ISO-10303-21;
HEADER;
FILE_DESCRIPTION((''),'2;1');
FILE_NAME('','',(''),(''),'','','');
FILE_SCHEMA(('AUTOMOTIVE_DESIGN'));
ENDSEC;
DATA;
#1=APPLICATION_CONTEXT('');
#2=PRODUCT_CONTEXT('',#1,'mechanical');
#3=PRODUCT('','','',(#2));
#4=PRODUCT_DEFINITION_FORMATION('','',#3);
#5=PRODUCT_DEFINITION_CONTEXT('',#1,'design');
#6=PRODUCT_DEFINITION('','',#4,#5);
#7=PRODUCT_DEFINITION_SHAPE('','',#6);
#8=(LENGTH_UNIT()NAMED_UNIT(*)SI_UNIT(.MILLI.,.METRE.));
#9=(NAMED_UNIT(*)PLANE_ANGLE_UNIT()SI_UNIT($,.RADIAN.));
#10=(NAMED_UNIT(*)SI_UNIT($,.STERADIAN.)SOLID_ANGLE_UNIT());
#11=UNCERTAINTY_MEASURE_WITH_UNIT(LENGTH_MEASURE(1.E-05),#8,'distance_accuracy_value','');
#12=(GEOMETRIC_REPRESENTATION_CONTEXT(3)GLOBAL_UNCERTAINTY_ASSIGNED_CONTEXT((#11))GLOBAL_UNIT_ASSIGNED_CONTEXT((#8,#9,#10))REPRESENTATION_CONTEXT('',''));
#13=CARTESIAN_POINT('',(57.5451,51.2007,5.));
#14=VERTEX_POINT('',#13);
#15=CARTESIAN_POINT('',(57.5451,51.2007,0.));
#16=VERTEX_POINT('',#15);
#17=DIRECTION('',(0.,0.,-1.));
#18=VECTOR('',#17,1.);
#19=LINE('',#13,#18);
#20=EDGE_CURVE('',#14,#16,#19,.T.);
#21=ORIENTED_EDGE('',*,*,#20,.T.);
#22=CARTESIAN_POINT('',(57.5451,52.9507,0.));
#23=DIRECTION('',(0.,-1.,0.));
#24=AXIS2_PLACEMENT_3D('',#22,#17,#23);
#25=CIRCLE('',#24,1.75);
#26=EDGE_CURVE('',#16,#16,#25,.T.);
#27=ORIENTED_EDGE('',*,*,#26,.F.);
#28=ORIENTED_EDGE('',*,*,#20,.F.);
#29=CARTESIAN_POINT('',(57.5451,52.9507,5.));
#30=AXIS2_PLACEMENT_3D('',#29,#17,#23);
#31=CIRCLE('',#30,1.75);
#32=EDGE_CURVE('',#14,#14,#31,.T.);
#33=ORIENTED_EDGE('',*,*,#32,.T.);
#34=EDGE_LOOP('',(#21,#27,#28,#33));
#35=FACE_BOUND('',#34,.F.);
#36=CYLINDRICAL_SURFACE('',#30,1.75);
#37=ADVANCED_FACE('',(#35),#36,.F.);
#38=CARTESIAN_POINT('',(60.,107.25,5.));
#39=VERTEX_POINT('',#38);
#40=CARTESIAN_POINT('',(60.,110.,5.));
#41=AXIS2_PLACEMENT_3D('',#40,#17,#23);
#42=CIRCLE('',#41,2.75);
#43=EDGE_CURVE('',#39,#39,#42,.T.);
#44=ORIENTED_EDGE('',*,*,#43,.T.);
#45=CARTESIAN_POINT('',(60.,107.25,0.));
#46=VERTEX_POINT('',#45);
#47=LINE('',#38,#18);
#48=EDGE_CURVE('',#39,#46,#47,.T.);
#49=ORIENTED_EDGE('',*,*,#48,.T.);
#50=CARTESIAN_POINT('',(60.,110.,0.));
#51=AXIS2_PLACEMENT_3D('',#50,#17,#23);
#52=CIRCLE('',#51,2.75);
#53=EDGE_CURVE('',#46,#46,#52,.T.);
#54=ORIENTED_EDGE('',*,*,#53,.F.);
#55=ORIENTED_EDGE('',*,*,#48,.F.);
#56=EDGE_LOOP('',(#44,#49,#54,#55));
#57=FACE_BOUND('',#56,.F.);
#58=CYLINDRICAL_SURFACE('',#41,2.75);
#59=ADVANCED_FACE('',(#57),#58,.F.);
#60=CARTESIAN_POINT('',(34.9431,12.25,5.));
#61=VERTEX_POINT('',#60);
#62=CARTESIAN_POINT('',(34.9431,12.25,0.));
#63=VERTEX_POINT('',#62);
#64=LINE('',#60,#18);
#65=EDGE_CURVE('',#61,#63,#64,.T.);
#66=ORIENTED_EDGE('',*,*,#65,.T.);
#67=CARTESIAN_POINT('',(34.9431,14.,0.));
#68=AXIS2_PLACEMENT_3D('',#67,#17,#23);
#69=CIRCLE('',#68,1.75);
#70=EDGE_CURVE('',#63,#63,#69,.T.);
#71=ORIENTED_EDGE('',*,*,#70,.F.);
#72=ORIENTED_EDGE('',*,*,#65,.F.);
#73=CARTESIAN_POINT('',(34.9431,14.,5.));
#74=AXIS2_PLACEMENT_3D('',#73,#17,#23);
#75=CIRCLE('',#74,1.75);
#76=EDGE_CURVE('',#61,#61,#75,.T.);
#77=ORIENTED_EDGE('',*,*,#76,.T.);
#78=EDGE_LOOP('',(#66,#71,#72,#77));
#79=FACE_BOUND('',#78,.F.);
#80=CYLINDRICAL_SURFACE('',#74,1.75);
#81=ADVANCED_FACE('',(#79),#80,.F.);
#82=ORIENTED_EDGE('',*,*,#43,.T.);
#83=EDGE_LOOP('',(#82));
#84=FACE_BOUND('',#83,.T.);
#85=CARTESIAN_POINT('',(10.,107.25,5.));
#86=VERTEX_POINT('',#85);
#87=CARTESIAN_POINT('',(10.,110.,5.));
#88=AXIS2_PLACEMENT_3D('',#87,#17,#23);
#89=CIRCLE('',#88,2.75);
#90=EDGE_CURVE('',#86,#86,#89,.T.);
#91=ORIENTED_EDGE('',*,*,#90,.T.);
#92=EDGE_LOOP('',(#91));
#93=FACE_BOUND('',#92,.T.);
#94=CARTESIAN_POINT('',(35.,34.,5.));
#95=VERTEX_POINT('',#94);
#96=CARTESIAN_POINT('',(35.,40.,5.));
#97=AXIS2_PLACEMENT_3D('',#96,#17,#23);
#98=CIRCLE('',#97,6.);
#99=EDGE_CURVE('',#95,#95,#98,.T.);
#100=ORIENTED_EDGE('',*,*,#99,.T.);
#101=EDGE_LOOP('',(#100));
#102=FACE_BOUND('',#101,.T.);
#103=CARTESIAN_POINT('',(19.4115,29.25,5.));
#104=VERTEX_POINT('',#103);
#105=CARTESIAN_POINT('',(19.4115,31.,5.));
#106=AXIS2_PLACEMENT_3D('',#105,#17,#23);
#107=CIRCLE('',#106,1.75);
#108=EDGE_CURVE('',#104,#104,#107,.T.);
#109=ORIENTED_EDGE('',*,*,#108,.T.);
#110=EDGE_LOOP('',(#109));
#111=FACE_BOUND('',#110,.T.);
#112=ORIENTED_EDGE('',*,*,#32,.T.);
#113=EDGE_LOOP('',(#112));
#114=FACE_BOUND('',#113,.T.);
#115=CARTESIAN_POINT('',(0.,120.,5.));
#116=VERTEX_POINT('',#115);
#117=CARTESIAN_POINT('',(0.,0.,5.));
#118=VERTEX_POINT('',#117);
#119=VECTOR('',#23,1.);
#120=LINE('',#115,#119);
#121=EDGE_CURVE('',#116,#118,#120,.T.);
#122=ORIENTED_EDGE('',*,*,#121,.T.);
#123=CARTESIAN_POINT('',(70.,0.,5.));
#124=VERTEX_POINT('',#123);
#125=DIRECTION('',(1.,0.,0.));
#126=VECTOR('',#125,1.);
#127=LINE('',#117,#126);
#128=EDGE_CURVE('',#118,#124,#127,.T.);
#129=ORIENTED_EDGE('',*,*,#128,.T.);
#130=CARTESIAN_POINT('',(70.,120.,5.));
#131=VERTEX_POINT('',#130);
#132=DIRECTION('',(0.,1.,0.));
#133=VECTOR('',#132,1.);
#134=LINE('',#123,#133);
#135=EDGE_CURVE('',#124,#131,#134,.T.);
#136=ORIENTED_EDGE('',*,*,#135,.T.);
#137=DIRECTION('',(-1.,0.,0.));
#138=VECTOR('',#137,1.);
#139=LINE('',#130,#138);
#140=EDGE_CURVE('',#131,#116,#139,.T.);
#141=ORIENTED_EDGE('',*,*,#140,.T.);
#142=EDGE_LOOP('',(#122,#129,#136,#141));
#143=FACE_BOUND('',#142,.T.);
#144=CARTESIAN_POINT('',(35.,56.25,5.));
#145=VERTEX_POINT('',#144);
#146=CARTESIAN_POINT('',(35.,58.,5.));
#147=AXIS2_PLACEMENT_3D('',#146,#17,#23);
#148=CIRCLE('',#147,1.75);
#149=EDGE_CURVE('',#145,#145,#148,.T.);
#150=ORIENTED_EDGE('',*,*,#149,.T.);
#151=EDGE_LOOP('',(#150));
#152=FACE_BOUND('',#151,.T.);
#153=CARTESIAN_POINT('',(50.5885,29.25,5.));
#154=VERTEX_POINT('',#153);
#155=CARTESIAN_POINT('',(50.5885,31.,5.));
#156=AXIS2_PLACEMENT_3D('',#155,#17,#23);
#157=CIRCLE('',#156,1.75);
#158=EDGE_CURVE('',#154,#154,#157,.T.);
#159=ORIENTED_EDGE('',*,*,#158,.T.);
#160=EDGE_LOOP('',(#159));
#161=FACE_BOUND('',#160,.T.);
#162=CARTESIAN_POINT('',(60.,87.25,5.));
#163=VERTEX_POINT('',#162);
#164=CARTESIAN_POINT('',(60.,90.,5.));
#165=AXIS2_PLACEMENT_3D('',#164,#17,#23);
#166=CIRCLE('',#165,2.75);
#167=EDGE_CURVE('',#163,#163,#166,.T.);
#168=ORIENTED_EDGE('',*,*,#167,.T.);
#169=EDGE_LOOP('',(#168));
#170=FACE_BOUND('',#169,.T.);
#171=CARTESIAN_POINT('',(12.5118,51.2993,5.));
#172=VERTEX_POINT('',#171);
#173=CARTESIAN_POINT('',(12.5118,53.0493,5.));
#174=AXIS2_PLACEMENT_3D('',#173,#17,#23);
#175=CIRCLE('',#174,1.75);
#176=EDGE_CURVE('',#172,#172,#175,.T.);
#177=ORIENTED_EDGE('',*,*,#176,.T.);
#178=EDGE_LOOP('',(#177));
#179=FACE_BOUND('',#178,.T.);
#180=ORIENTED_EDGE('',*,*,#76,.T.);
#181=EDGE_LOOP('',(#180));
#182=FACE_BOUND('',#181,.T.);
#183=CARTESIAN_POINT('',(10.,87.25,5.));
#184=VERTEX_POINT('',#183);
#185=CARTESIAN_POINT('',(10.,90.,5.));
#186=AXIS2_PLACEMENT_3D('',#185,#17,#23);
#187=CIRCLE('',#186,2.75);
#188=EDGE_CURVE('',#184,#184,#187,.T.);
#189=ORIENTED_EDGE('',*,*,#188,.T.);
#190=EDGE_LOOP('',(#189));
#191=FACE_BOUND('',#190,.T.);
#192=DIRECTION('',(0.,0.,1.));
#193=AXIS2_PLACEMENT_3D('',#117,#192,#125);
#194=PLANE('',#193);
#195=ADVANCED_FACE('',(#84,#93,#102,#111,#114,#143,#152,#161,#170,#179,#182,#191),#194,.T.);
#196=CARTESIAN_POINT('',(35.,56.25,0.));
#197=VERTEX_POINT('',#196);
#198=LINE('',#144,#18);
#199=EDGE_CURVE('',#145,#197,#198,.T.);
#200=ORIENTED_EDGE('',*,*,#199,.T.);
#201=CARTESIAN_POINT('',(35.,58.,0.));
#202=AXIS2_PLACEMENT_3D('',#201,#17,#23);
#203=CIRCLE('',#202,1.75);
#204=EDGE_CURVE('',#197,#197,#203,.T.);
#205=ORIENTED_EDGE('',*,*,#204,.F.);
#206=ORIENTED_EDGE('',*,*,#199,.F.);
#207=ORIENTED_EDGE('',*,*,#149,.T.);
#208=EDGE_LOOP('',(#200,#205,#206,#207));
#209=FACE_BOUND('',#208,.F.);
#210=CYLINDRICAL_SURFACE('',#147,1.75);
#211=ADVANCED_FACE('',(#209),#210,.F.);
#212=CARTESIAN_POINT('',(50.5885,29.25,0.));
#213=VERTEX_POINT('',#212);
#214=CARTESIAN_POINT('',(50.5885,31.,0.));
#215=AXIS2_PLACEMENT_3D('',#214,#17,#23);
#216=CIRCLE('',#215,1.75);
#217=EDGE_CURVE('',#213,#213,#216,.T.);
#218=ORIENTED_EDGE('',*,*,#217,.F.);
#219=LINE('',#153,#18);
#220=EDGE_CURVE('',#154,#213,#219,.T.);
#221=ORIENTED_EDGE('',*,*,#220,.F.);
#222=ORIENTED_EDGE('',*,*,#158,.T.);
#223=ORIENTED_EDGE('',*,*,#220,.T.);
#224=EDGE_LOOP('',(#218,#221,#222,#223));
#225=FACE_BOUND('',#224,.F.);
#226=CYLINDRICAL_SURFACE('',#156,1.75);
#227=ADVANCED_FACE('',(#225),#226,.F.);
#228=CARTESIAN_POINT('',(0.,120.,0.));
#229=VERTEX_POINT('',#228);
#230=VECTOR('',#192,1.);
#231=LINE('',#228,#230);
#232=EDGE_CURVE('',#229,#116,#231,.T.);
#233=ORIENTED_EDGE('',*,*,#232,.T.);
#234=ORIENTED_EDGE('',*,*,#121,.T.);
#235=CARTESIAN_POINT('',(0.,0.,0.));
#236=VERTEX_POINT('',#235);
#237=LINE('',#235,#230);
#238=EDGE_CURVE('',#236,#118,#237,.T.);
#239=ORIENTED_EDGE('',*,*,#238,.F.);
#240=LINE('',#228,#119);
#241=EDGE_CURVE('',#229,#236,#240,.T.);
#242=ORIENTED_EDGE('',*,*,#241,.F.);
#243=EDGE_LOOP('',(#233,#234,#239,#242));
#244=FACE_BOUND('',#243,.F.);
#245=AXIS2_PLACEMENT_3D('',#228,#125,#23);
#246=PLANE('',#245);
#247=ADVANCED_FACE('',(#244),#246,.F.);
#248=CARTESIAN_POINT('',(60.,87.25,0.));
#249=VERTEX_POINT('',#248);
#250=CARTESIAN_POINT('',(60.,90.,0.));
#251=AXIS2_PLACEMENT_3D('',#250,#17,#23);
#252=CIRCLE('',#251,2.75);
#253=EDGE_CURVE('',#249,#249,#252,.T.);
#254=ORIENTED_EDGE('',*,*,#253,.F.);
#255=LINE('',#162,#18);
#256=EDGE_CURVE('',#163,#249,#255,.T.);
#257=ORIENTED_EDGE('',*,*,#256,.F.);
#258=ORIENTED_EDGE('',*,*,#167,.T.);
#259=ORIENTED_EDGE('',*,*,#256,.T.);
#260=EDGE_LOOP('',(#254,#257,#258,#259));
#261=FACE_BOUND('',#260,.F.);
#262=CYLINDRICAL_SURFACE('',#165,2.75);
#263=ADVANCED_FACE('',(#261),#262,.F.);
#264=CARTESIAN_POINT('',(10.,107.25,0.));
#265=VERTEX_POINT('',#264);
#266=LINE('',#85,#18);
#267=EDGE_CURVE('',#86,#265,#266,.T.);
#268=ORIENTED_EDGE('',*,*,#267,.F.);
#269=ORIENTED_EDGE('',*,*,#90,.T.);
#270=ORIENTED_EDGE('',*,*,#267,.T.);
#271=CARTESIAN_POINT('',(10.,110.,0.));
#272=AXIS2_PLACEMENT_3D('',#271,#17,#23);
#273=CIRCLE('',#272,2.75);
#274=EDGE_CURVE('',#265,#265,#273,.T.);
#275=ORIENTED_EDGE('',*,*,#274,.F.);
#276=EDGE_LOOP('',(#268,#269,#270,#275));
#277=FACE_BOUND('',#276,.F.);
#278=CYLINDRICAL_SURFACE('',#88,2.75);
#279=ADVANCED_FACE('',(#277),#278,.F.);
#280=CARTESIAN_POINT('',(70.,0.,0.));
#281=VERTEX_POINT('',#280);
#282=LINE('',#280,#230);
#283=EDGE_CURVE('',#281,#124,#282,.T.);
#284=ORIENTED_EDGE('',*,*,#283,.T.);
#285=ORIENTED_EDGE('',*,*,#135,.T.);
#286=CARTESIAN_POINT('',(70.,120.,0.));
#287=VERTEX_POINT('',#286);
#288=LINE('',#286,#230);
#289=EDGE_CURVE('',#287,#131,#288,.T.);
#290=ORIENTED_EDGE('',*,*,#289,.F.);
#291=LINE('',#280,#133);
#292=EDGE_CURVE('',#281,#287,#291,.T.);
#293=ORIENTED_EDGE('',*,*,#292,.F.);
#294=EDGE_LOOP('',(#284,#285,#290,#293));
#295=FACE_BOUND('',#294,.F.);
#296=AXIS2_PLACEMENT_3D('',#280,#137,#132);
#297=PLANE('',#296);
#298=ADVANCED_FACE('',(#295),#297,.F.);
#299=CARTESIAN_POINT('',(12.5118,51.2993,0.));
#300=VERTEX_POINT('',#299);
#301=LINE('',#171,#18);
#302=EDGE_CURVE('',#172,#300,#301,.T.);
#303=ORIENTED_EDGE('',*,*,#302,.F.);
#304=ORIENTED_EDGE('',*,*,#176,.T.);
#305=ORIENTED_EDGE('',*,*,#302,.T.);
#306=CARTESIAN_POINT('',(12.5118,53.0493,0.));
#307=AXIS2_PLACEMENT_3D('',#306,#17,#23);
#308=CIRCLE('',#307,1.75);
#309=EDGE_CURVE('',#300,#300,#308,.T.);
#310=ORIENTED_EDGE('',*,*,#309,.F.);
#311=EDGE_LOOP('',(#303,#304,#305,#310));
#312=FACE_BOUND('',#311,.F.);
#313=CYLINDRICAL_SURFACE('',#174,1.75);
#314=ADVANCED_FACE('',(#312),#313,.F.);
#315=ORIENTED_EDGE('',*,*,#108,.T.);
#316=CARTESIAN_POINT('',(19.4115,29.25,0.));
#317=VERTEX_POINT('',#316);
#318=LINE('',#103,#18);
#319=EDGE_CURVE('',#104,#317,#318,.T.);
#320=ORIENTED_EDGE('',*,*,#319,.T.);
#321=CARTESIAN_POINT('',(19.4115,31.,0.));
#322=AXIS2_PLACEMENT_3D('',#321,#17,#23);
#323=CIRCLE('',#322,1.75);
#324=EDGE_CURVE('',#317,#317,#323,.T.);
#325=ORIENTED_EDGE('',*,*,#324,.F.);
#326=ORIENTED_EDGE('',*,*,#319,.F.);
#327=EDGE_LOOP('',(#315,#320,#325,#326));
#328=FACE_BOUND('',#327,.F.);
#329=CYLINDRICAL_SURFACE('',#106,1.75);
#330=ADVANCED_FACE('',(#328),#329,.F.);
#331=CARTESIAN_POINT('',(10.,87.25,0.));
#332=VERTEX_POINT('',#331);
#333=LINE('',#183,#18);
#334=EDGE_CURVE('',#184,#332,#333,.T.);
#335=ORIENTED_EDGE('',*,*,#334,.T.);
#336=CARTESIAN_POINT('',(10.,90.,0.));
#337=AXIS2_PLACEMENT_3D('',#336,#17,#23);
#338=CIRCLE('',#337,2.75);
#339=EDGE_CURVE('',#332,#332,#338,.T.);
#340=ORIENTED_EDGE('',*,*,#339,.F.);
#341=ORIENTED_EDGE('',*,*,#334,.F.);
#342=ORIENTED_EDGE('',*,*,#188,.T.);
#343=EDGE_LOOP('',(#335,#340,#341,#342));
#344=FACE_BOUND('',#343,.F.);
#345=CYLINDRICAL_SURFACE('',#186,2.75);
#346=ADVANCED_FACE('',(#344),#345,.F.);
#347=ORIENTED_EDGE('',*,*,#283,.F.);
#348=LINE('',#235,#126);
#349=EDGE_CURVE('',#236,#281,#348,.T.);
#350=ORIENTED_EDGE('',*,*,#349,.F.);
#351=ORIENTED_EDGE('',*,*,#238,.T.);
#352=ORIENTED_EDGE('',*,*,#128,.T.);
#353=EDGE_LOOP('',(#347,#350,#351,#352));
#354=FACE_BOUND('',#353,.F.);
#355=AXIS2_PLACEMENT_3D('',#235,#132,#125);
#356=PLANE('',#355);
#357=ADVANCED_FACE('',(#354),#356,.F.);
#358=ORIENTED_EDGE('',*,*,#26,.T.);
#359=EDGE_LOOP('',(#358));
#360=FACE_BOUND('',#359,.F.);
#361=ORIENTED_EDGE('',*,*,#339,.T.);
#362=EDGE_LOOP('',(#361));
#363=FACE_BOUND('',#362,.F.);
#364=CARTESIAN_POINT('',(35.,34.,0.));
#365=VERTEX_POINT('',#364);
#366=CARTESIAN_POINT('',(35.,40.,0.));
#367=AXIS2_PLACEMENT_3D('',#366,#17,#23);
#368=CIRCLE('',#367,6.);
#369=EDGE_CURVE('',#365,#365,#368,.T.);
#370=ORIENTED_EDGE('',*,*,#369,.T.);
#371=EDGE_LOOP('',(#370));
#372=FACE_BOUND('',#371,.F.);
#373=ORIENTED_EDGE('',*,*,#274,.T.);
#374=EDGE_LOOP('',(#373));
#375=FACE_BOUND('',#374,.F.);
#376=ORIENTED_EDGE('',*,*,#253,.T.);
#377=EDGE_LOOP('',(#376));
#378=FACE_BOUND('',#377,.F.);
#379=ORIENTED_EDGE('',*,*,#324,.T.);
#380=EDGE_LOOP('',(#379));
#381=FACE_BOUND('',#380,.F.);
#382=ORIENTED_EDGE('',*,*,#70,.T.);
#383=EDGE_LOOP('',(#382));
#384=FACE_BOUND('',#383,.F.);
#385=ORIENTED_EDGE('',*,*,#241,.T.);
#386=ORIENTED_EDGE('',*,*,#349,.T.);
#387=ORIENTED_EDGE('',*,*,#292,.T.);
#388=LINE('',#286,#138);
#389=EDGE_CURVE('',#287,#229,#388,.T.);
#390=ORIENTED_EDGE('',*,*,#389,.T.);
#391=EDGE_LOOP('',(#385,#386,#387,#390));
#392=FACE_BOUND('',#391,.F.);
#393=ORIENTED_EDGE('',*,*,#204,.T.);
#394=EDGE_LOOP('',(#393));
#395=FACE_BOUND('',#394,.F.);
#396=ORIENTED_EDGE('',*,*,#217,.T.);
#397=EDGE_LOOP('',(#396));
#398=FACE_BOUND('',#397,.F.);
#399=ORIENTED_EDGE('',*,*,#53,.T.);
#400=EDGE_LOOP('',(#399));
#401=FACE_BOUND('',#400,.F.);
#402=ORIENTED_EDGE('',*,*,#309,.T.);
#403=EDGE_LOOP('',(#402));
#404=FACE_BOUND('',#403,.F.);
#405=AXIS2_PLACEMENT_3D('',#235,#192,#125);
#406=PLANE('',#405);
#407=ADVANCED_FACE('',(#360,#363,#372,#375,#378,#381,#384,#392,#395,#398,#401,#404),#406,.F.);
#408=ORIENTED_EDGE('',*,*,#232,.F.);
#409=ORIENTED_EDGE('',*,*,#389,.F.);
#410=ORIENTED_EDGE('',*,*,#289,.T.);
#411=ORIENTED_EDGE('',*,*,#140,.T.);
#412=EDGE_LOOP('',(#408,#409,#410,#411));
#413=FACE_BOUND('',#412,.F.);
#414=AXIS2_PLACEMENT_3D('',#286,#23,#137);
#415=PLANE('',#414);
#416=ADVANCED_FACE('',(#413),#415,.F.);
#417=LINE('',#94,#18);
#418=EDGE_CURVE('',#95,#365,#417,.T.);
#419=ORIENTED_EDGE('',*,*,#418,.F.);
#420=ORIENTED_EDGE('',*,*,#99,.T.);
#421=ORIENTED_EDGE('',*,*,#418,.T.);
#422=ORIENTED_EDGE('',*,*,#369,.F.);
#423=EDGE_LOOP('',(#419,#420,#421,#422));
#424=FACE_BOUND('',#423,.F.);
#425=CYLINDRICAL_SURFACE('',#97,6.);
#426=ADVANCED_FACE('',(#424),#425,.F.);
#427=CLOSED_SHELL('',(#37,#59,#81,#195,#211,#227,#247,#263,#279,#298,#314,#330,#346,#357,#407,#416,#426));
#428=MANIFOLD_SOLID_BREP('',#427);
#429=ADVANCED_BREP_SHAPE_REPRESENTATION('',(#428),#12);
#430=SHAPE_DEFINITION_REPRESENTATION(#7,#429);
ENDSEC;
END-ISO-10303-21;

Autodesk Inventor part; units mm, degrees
ref_plane "YZ Plane" through (0, 0, 0) normal (1, 0, 0) x (0, 1, 0)
ref_plane "XZ Plane" through (0, 0, 0) normal (0, 1, 0) x (-1, 0, 0)
ref_plane "XY Plane" through (0, 0, 0) normal (0, 0, 1) x (1, 0, 0)
sketch "スケッチ1" plane through (0, 0, 0) normal (0, 0, 1) x (1, 0, 0)
  line L0 (0, 0) -> (70, 0)
  line L1 (70, 0) -> (70, 120)
  line L2 (70, 120) -> (0, 120)
  line L3 (0, 120) -> (0, 0)
  dimension "d0" = 70
  dimension "d1" = 120
extrude "押し出し1" add sketch "スケッチ1" along normal blind 5
sketch "スケッチ2" plane through (0, 0, 5) normal (0, 0, 1) x (1, 0, 0)
  line L0 (0, 120) -> (0, 0) projected
  line L1 (0, 0) -> (70, 0) projected
  point P0 (35, 40)
  dimension "d4" = 35
  dimension "d5" = 40
hole "穴1" at (35, 40, 5) direction (0, 0, -1) diameter 12 end through all
sketch "スケッチ3" plane through (0, 0, 5) normal (0, 0, 1) x (1, 0, 0)
  circle A0 centre (35, 40) radius 6 projected
  point P0 (0, 0)
  point P1 (34.9431, 14)
  point P2 (57.5451, 52.9507)
  point P3 (12.5118, 53.0493)
  dimension "d13" = 26
  dimension "d16" = 360
hole "穴2" at (34.9431, 14, 5) at (35, 40, 5) at (57.5451, 52.9507, 5) at (12.5118, 53.0493, 5) direction (0, 0, -1) diameter 3.5 end through all
sketch "スケッチ4" plane through (0, 0, 5) normal (0, 0, 1) x (1, 0, 0)
  line L0 (0, 120) -> (0, 0) projected
  line L1 (0, 0) -> (70, 0) projected
  point P0 (35, 40)
  point P1 (35, 58)
  point P2 (19.4115, 31)
  point P3 (50.5885, 31)
  dimension "d27" = 35
  dimension "d28" = 40
  dimension "d29" = 18
  dimension "d32" = 360
hole "穴3" at (35, 40, 5) at (35, 58, 5) at (19.4115, 31, 5) at (50.5885, 31, 5) direction (0, 0, -1) diameter 3.5 end through all
sketch "スケッチ6" plane through (0, 0, 5) normal (0, 0, 1) x (1, 0, 0)
  line L0 (0, 120) -> (0, 0) projected
  line L1 (0, 0) -> (70, 0) projected
  point P0 (35, 40)
  point P1 (10, 110)
  point P2 (60, 110)
  point P3 (10, 90)
  point P4 (60, 90)
  dimension "d43" = 35
  dimension "d44" = 40
  dimension "d48" = 110
  dimension "d49" = 110
  dimension "d50" = 90
  dimension "d51" = 90
hole "穴4" at (35, 40, 5) at (10, 110, 5) at (60, 110, 5) at (10, 90, 5) at (60, 90, 5) direction (0, 0, -1) diameter 5.5 end through all
properties part number "エンコーダ取り付け板"
